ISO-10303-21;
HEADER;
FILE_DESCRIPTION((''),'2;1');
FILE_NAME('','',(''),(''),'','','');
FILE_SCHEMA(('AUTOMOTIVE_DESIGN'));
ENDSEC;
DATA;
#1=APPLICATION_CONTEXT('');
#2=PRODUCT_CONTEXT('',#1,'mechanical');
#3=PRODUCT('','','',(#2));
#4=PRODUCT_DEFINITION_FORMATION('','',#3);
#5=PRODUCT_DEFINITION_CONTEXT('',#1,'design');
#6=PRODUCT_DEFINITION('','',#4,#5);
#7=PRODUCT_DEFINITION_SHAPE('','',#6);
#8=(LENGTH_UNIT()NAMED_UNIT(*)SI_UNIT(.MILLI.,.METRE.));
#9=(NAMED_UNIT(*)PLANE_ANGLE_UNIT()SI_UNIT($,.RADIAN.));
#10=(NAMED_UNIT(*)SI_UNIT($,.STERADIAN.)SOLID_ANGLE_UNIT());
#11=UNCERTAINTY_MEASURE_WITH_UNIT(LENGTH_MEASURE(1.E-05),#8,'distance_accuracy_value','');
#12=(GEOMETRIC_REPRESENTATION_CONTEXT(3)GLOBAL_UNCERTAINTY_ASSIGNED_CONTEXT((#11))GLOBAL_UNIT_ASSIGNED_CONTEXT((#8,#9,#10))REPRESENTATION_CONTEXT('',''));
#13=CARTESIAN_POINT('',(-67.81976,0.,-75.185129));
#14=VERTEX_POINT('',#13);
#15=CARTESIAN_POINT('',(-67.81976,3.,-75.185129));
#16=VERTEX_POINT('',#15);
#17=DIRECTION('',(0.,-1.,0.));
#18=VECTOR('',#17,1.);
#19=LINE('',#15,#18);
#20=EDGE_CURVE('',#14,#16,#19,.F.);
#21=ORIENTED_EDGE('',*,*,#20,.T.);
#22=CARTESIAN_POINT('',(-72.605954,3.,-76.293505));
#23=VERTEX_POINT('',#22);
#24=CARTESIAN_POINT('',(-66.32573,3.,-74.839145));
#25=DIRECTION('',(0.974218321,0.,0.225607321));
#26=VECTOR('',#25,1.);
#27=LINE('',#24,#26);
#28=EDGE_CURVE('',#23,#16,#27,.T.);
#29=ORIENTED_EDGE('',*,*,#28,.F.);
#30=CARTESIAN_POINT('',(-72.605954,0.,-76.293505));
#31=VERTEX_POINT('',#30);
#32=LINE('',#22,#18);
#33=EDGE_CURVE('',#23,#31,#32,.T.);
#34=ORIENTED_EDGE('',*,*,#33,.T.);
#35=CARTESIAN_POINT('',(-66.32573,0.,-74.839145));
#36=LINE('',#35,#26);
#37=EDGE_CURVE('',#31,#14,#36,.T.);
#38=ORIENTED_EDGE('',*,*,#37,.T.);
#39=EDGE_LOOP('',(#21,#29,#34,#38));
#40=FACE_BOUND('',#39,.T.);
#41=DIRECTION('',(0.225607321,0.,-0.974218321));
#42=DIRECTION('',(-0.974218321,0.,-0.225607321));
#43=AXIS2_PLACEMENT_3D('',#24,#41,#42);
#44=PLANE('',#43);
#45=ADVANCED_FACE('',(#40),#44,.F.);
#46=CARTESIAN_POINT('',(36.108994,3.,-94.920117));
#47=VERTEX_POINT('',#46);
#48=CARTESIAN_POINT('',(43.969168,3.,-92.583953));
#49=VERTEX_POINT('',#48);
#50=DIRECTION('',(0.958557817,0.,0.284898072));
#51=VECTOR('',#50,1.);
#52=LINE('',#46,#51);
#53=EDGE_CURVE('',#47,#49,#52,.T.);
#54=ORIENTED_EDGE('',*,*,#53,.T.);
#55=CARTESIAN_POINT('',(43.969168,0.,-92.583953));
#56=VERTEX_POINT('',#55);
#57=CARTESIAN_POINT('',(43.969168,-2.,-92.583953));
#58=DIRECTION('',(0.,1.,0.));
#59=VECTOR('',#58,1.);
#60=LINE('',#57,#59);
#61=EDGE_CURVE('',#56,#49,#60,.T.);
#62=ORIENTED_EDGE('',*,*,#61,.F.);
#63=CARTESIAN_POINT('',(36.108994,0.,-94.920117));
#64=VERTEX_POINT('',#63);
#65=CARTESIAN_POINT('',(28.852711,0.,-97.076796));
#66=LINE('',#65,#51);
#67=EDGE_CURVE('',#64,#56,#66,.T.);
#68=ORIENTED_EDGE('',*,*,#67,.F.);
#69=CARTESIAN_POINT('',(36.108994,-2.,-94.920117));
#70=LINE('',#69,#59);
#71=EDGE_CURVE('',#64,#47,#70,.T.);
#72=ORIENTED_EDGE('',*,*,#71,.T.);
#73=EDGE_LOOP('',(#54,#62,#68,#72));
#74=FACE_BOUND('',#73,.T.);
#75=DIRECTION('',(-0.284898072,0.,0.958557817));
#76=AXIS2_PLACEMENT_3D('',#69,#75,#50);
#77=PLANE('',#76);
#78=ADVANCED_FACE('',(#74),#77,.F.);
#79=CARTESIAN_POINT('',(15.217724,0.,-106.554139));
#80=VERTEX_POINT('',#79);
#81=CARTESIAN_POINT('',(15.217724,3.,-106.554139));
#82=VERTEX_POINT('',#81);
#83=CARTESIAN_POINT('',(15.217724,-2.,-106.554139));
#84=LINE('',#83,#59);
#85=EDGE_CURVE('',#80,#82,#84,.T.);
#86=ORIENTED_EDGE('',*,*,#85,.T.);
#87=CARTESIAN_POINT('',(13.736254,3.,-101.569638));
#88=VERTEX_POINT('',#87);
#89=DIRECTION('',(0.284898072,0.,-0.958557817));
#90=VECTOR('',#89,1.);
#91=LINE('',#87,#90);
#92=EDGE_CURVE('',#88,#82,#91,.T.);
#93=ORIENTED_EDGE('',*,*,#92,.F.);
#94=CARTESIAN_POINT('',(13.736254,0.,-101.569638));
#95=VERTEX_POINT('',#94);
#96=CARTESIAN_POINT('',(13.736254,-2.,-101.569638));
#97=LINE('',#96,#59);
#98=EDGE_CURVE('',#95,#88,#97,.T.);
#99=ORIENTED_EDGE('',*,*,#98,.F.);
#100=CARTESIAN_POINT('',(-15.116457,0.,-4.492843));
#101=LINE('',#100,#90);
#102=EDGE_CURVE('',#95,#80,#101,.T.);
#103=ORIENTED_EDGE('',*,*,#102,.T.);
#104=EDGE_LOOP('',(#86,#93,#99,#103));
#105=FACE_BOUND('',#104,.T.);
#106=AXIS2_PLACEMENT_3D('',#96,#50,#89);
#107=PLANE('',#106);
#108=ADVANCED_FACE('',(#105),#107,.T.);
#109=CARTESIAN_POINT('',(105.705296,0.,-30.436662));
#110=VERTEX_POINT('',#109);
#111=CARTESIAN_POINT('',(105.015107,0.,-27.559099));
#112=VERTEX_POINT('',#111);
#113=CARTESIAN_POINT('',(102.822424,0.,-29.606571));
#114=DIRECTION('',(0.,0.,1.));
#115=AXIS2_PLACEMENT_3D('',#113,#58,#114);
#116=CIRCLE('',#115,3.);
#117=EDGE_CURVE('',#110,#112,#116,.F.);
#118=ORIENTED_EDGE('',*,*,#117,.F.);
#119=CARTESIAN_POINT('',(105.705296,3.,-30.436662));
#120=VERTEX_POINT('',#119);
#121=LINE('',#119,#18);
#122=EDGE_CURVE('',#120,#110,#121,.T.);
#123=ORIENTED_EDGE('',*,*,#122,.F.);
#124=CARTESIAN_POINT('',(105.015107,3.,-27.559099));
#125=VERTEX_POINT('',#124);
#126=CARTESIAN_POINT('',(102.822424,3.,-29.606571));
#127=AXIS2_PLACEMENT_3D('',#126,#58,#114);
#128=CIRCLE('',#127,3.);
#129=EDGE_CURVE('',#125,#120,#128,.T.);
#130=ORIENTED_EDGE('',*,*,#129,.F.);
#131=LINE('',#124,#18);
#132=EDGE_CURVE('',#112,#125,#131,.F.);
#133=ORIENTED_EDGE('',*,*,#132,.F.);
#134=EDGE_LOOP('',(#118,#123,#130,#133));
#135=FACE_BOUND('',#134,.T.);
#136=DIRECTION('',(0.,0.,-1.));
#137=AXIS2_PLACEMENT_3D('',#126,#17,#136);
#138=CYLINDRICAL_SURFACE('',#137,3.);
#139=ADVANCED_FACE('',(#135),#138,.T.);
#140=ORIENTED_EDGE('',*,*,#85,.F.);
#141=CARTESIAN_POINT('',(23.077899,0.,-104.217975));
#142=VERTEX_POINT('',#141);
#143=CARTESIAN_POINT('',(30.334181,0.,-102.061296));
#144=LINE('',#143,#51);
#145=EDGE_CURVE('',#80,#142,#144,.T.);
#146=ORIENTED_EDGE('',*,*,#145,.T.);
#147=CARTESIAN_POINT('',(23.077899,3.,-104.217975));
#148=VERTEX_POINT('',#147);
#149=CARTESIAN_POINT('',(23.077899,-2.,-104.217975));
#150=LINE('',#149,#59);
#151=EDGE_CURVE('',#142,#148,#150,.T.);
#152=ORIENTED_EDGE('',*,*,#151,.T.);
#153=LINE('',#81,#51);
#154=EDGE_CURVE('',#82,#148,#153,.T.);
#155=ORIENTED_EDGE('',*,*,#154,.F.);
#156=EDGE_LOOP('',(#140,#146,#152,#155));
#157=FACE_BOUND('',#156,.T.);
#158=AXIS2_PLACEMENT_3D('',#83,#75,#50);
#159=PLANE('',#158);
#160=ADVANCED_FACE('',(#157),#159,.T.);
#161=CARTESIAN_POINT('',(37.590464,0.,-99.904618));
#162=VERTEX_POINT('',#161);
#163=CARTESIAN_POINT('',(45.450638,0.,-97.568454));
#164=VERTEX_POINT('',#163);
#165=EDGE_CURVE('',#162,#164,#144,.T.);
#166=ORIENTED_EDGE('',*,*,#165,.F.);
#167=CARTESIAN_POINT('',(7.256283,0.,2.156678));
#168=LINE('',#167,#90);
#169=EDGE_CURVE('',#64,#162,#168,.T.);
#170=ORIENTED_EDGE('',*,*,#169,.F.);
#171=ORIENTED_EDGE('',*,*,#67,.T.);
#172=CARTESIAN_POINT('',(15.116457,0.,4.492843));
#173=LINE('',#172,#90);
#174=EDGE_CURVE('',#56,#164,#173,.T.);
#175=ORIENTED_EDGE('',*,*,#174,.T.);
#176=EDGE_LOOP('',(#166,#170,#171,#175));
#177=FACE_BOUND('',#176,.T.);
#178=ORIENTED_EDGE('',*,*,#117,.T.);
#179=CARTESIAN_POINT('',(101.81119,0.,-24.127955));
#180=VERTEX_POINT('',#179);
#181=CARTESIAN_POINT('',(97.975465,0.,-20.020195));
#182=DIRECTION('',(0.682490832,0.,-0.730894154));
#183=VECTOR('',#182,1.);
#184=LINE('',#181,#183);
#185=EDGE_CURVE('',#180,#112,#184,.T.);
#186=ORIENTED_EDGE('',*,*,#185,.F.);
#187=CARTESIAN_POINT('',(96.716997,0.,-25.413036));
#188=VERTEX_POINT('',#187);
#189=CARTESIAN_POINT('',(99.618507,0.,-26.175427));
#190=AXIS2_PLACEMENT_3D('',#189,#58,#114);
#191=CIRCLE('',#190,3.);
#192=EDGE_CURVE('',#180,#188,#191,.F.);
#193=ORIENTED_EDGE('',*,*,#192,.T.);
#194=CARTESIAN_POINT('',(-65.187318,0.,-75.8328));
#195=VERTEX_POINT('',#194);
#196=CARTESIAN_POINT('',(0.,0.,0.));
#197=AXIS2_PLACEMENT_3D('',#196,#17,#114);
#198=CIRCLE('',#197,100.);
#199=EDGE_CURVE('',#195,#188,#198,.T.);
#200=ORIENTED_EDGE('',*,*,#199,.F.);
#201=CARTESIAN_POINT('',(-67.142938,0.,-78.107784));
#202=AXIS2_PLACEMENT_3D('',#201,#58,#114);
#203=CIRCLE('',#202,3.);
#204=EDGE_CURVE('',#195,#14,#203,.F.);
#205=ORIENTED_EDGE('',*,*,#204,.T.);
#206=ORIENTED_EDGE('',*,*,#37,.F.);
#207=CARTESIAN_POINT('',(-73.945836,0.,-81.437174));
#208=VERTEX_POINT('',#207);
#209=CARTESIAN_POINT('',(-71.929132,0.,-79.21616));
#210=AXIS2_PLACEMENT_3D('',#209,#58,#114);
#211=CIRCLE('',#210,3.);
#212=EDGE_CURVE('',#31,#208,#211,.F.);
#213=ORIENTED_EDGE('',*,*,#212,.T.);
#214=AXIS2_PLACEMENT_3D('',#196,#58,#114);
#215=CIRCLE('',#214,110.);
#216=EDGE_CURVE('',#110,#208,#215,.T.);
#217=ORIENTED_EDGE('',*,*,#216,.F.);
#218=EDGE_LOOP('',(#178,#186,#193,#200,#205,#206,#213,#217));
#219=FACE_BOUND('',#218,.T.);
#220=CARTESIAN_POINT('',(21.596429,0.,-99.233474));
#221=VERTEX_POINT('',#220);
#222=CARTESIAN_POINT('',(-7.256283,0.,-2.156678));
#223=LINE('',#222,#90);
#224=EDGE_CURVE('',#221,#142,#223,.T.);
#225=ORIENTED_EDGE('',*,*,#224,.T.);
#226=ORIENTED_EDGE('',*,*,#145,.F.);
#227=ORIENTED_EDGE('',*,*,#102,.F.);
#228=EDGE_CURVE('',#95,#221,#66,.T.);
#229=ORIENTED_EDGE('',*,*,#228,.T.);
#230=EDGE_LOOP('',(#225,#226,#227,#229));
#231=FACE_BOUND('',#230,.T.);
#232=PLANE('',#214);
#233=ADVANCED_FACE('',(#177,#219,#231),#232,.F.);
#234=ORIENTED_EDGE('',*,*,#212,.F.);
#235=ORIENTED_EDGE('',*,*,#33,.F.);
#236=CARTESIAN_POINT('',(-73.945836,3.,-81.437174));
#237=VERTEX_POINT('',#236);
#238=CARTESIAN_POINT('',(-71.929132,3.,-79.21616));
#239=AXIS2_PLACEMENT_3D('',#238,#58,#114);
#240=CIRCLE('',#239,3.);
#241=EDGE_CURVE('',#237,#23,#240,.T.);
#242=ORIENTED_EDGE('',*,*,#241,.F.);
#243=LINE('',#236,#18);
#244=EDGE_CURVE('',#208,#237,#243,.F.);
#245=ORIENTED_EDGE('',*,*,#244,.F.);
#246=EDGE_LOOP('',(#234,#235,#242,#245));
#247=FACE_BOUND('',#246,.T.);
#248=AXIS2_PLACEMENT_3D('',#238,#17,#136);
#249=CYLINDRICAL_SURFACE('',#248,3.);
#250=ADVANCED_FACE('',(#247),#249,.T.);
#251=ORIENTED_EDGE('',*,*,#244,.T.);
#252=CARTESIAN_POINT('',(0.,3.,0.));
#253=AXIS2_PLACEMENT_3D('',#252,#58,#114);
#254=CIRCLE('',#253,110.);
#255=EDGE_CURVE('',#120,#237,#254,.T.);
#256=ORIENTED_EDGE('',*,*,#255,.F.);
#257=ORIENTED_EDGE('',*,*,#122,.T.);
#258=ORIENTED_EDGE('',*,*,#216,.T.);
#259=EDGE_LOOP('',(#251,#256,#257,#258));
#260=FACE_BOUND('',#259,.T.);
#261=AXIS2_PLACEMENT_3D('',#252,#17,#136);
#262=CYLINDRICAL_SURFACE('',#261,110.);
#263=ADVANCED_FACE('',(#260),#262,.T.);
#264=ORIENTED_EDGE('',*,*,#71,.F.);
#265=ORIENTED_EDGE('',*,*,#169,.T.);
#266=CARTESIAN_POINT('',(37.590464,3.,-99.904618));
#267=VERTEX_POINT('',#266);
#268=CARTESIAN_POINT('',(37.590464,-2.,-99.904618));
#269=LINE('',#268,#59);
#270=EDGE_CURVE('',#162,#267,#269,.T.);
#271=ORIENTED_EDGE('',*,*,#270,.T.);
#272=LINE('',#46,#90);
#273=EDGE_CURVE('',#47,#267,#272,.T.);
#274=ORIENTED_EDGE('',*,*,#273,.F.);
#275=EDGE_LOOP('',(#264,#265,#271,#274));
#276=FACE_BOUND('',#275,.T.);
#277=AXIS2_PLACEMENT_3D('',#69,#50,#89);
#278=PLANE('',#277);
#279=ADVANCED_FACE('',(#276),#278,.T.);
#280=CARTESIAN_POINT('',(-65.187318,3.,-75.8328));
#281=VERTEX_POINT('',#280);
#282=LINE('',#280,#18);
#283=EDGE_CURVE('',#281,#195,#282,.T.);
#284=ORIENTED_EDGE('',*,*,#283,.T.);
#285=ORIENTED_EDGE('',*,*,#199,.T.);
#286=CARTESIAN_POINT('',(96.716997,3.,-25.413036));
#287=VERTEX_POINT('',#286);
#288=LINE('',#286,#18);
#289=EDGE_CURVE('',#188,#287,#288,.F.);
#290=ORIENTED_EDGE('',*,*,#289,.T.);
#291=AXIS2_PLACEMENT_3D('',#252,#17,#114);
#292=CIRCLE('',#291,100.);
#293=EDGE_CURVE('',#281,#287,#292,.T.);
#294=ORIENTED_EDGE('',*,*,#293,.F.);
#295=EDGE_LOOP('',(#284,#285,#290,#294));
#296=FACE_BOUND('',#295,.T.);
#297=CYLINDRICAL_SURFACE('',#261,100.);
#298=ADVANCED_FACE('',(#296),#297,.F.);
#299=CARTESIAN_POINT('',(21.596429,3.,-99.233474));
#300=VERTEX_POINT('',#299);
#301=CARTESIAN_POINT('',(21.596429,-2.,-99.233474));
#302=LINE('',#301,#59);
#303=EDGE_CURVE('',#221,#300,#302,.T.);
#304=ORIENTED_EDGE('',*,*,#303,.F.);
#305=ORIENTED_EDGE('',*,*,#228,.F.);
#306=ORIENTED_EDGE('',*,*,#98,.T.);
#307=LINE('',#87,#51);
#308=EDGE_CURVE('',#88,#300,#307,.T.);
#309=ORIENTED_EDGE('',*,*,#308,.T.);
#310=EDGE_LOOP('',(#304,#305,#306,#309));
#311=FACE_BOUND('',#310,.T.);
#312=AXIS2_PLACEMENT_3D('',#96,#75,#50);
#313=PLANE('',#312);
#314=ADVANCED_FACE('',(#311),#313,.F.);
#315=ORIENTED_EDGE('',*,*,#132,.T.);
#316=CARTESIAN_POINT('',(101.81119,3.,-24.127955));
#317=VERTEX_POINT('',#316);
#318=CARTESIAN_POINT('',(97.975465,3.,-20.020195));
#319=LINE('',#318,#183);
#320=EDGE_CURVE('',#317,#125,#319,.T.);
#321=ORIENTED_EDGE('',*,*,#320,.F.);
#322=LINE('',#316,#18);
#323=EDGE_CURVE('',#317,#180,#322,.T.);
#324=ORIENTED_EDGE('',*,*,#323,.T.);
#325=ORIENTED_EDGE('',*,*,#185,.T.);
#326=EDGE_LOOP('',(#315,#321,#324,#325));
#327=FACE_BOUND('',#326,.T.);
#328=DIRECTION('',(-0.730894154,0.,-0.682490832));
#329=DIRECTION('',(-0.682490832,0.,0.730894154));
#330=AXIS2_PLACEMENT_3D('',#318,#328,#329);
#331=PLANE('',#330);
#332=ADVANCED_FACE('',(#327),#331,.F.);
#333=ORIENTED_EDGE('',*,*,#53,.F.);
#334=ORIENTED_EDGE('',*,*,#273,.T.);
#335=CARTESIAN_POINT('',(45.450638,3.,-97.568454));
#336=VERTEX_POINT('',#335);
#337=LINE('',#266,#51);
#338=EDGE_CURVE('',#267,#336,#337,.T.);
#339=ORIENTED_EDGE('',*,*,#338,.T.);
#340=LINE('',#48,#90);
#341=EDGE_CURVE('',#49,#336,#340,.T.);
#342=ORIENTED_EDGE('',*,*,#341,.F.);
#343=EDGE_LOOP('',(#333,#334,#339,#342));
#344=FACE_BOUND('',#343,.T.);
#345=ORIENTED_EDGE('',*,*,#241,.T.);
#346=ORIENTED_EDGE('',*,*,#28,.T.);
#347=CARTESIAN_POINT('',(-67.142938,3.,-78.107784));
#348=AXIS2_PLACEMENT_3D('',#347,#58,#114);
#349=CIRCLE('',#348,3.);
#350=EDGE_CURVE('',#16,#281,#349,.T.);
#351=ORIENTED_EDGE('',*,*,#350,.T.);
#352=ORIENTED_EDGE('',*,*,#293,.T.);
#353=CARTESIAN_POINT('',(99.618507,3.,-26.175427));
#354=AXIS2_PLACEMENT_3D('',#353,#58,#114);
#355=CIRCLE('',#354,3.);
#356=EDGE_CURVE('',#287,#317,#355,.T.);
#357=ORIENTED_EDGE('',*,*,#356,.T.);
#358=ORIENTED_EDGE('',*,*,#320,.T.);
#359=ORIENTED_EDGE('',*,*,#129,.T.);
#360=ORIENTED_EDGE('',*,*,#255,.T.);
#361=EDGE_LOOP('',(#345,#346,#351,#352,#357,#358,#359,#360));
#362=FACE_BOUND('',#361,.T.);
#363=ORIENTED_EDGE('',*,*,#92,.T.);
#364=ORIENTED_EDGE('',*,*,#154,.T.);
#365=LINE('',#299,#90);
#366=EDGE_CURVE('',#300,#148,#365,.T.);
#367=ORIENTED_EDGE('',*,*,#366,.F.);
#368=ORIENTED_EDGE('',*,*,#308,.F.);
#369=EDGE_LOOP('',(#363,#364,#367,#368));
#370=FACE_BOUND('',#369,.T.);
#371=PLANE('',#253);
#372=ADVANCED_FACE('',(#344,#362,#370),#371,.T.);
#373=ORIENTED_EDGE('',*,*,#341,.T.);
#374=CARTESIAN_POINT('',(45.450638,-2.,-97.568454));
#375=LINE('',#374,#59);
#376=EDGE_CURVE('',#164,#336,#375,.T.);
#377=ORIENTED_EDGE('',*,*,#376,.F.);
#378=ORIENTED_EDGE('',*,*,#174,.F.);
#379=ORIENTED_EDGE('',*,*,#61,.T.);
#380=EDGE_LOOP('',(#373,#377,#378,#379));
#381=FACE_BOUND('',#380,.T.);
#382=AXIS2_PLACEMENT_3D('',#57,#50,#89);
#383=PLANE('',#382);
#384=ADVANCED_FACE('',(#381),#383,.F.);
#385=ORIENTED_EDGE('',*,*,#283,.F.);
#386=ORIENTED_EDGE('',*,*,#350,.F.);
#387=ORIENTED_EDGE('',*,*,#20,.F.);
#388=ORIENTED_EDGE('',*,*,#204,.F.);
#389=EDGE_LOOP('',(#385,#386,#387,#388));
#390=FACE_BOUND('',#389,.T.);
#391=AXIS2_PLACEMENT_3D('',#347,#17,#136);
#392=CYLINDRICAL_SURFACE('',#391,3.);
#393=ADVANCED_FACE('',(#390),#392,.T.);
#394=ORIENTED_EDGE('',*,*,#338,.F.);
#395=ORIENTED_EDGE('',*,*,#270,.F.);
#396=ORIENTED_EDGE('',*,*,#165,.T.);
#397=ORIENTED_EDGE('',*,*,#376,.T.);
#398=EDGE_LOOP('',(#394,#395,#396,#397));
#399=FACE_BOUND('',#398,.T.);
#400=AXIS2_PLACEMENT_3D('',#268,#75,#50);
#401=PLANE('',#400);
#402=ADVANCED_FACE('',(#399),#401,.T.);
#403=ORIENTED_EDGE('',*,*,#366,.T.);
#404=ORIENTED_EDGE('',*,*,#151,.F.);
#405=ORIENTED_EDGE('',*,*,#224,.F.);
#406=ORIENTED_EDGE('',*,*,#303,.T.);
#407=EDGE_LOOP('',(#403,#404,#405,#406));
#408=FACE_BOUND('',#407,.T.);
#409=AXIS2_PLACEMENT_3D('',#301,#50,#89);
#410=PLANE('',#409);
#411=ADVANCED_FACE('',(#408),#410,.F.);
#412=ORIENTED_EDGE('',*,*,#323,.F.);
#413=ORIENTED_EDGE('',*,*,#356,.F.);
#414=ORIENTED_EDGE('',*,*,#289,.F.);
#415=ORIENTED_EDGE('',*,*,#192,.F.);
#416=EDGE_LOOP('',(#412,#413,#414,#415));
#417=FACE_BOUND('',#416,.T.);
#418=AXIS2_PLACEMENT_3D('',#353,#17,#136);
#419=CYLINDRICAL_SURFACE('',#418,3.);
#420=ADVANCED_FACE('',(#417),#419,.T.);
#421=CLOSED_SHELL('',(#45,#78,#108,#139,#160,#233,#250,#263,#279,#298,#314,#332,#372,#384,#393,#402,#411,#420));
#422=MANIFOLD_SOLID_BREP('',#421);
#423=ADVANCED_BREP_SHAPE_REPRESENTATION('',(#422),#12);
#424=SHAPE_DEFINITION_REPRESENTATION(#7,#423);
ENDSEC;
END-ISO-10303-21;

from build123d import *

# Parameters (mm, degrees)
EXTRUDE_1_DEPTH     = 3
CUT_EXTRUDE_3_DEPTH = 5
FILLET_5_R          = 3


with BuildPart() as part:
    # Эскиз2 → Бобышка-Вытянуть1 (new body)
    with BuildSketch(Plane(origin=(0, 0, 0), x_dir=(1, 0, 0), z_dir=(0, 1, 0))):
        with BuildLine():
            Line((97.975465344, 20.020194571), (106.165355323, 28.790924422))
            ThreePointArc((106.165355323, 28.790924422), (28.149005714, 106.337356923), (-78.01634961, 77.546432501))
            Line((-78.01634961, 77.546432501), (-66.325729759, 74.83914465))
            ThreePointArc((-66.325729759, 74.83914465), (31.649735585, 94.859339221), (97.975465344, 20.020194571))
        make_face()
    extrude(amount=EXTRUDE_1_DEPTH)

    # Эскиз3 → Вырез-Вытянуть3 (cut)
    with BuildSketch(Plane(origin=(0, 3, 0), x_dir=(1, 0, 0), z_dir=(0, 1, 0))):
        Polygon((36.108993933, 94.920117092), (43.969168032, 92.583952898), (45.450638009, 97.568453546), (37.59046391, 99.90461774), align=None)
        Polygon((13.736254487, 101.569638102), (21.596428586, 99.233473909), (23.077898562, 104.217974556), (15.217724464, 106.55413875), align=None)
    extrude(amount=-CUT_EXTRUDE_3_DEPTH, mode=Mode.SUBTRACT)

    # Скругление5
    fillet_5_edges = [part.edges().sort_by_distance(p)[0] for p in [
        (-66.325729759, 1.5, -74.83914465),
        (-78.01634961, 1.5, -77.546432501),
        (106.165355323, 1.5, -28.790924422),
        (97.975465344, 1.5, -20.020194571),
    ]]
    fillet(fillet_5_edges, radius=FILLET_5_R)


solid = part.part
